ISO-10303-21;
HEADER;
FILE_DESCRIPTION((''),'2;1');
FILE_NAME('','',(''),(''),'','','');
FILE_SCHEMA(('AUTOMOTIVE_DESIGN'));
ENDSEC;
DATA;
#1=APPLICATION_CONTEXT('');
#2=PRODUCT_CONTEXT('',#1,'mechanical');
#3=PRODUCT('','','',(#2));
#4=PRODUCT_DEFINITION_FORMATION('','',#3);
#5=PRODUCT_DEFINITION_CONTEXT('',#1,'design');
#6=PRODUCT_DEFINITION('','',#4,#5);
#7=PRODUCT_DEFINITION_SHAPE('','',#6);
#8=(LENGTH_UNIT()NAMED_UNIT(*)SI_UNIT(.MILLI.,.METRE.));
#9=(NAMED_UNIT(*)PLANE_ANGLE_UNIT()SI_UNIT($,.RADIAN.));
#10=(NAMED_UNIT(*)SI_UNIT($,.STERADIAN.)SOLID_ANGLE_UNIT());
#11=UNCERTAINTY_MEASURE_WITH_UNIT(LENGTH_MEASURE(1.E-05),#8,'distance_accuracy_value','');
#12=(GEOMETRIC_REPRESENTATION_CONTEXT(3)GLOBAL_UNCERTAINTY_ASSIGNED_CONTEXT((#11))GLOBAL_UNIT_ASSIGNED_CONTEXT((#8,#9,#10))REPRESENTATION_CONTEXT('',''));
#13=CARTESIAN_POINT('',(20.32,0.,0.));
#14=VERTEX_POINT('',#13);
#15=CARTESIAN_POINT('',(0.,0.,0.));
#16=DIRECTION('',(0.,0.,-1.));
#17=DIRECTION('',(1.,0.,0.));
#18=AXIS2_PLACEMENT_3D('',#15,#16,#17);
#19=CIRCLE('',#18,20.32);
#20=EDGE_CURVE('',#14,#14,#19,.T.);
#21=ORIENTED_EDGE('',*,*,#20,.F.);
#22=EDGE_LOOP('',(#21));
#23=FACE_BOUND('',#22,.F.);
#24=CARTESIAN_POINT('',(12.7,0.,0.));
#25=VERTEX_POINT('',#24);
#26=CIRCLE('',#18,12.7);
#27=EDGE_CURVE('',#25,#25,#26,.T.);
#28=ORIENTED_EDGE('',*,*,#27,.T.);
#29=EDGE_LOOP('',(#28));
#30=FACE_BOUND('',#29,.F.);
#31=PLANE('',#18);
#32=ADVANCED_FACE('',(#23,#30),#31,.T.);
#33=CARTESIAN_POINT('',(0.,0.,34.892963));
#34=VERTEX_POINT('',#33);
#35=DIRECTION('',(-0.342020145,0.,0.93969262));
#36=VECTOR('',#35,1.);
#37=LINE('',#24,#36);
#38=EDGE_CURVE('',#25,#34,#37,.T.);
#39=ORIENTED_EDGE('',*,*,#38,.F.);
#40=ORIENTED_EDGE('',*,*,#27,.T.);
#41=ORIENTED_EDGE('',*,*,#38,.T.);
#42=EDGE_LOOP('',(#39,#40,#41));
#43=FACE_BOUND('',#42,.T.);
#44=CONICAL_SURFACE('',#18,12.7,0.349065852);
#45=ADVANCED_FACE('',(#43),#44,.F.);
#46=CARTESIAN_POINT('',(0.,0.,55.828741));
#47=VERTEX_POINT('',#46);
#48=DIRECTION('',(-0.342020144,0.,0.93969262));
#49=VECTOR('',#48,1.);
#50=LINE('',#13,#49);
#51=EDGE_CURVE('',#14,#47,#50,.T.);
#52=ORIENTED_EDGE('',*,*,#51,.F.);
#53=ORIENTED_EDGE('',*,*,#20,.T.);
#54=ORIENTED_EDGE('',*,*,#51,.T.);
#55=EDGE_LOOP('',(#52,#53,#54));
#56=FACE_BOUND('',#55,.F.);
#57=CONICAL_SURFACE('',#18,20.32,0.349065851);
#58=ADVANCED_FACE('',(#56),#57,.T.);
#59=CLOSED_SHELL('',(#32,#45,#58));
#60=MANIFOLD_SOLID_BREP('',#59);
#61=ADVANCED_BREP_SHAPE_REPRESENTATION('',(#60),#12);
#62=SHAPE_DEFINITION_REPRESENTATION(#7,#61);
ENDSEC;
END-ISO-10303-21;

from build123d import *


with BuildPart() as f1:
    # F0 (on Front) → F1 (revolve)
    with BuildSketch(Plane.XZ):
        Polygon((0, 55.828741), (0, 39.16425), (0, 0), (20.32, 0), align=None)
    revolve(axis=Axis((0, 0, -3.746145), (0, 0, -1)))

    # F2 (on Front) → F3 (revolve, cut)
    with BuildSketch(Plane.XZ):
        Polygon((0, 34.892963), (0, 24.014971), (0, 0), (12.7, 0), align=None)
    revolve(axis=Axis((0, 0, 0.962477), (0, 0, -1)), mode=Mode.SUBTRACT)


solid = f1.part
